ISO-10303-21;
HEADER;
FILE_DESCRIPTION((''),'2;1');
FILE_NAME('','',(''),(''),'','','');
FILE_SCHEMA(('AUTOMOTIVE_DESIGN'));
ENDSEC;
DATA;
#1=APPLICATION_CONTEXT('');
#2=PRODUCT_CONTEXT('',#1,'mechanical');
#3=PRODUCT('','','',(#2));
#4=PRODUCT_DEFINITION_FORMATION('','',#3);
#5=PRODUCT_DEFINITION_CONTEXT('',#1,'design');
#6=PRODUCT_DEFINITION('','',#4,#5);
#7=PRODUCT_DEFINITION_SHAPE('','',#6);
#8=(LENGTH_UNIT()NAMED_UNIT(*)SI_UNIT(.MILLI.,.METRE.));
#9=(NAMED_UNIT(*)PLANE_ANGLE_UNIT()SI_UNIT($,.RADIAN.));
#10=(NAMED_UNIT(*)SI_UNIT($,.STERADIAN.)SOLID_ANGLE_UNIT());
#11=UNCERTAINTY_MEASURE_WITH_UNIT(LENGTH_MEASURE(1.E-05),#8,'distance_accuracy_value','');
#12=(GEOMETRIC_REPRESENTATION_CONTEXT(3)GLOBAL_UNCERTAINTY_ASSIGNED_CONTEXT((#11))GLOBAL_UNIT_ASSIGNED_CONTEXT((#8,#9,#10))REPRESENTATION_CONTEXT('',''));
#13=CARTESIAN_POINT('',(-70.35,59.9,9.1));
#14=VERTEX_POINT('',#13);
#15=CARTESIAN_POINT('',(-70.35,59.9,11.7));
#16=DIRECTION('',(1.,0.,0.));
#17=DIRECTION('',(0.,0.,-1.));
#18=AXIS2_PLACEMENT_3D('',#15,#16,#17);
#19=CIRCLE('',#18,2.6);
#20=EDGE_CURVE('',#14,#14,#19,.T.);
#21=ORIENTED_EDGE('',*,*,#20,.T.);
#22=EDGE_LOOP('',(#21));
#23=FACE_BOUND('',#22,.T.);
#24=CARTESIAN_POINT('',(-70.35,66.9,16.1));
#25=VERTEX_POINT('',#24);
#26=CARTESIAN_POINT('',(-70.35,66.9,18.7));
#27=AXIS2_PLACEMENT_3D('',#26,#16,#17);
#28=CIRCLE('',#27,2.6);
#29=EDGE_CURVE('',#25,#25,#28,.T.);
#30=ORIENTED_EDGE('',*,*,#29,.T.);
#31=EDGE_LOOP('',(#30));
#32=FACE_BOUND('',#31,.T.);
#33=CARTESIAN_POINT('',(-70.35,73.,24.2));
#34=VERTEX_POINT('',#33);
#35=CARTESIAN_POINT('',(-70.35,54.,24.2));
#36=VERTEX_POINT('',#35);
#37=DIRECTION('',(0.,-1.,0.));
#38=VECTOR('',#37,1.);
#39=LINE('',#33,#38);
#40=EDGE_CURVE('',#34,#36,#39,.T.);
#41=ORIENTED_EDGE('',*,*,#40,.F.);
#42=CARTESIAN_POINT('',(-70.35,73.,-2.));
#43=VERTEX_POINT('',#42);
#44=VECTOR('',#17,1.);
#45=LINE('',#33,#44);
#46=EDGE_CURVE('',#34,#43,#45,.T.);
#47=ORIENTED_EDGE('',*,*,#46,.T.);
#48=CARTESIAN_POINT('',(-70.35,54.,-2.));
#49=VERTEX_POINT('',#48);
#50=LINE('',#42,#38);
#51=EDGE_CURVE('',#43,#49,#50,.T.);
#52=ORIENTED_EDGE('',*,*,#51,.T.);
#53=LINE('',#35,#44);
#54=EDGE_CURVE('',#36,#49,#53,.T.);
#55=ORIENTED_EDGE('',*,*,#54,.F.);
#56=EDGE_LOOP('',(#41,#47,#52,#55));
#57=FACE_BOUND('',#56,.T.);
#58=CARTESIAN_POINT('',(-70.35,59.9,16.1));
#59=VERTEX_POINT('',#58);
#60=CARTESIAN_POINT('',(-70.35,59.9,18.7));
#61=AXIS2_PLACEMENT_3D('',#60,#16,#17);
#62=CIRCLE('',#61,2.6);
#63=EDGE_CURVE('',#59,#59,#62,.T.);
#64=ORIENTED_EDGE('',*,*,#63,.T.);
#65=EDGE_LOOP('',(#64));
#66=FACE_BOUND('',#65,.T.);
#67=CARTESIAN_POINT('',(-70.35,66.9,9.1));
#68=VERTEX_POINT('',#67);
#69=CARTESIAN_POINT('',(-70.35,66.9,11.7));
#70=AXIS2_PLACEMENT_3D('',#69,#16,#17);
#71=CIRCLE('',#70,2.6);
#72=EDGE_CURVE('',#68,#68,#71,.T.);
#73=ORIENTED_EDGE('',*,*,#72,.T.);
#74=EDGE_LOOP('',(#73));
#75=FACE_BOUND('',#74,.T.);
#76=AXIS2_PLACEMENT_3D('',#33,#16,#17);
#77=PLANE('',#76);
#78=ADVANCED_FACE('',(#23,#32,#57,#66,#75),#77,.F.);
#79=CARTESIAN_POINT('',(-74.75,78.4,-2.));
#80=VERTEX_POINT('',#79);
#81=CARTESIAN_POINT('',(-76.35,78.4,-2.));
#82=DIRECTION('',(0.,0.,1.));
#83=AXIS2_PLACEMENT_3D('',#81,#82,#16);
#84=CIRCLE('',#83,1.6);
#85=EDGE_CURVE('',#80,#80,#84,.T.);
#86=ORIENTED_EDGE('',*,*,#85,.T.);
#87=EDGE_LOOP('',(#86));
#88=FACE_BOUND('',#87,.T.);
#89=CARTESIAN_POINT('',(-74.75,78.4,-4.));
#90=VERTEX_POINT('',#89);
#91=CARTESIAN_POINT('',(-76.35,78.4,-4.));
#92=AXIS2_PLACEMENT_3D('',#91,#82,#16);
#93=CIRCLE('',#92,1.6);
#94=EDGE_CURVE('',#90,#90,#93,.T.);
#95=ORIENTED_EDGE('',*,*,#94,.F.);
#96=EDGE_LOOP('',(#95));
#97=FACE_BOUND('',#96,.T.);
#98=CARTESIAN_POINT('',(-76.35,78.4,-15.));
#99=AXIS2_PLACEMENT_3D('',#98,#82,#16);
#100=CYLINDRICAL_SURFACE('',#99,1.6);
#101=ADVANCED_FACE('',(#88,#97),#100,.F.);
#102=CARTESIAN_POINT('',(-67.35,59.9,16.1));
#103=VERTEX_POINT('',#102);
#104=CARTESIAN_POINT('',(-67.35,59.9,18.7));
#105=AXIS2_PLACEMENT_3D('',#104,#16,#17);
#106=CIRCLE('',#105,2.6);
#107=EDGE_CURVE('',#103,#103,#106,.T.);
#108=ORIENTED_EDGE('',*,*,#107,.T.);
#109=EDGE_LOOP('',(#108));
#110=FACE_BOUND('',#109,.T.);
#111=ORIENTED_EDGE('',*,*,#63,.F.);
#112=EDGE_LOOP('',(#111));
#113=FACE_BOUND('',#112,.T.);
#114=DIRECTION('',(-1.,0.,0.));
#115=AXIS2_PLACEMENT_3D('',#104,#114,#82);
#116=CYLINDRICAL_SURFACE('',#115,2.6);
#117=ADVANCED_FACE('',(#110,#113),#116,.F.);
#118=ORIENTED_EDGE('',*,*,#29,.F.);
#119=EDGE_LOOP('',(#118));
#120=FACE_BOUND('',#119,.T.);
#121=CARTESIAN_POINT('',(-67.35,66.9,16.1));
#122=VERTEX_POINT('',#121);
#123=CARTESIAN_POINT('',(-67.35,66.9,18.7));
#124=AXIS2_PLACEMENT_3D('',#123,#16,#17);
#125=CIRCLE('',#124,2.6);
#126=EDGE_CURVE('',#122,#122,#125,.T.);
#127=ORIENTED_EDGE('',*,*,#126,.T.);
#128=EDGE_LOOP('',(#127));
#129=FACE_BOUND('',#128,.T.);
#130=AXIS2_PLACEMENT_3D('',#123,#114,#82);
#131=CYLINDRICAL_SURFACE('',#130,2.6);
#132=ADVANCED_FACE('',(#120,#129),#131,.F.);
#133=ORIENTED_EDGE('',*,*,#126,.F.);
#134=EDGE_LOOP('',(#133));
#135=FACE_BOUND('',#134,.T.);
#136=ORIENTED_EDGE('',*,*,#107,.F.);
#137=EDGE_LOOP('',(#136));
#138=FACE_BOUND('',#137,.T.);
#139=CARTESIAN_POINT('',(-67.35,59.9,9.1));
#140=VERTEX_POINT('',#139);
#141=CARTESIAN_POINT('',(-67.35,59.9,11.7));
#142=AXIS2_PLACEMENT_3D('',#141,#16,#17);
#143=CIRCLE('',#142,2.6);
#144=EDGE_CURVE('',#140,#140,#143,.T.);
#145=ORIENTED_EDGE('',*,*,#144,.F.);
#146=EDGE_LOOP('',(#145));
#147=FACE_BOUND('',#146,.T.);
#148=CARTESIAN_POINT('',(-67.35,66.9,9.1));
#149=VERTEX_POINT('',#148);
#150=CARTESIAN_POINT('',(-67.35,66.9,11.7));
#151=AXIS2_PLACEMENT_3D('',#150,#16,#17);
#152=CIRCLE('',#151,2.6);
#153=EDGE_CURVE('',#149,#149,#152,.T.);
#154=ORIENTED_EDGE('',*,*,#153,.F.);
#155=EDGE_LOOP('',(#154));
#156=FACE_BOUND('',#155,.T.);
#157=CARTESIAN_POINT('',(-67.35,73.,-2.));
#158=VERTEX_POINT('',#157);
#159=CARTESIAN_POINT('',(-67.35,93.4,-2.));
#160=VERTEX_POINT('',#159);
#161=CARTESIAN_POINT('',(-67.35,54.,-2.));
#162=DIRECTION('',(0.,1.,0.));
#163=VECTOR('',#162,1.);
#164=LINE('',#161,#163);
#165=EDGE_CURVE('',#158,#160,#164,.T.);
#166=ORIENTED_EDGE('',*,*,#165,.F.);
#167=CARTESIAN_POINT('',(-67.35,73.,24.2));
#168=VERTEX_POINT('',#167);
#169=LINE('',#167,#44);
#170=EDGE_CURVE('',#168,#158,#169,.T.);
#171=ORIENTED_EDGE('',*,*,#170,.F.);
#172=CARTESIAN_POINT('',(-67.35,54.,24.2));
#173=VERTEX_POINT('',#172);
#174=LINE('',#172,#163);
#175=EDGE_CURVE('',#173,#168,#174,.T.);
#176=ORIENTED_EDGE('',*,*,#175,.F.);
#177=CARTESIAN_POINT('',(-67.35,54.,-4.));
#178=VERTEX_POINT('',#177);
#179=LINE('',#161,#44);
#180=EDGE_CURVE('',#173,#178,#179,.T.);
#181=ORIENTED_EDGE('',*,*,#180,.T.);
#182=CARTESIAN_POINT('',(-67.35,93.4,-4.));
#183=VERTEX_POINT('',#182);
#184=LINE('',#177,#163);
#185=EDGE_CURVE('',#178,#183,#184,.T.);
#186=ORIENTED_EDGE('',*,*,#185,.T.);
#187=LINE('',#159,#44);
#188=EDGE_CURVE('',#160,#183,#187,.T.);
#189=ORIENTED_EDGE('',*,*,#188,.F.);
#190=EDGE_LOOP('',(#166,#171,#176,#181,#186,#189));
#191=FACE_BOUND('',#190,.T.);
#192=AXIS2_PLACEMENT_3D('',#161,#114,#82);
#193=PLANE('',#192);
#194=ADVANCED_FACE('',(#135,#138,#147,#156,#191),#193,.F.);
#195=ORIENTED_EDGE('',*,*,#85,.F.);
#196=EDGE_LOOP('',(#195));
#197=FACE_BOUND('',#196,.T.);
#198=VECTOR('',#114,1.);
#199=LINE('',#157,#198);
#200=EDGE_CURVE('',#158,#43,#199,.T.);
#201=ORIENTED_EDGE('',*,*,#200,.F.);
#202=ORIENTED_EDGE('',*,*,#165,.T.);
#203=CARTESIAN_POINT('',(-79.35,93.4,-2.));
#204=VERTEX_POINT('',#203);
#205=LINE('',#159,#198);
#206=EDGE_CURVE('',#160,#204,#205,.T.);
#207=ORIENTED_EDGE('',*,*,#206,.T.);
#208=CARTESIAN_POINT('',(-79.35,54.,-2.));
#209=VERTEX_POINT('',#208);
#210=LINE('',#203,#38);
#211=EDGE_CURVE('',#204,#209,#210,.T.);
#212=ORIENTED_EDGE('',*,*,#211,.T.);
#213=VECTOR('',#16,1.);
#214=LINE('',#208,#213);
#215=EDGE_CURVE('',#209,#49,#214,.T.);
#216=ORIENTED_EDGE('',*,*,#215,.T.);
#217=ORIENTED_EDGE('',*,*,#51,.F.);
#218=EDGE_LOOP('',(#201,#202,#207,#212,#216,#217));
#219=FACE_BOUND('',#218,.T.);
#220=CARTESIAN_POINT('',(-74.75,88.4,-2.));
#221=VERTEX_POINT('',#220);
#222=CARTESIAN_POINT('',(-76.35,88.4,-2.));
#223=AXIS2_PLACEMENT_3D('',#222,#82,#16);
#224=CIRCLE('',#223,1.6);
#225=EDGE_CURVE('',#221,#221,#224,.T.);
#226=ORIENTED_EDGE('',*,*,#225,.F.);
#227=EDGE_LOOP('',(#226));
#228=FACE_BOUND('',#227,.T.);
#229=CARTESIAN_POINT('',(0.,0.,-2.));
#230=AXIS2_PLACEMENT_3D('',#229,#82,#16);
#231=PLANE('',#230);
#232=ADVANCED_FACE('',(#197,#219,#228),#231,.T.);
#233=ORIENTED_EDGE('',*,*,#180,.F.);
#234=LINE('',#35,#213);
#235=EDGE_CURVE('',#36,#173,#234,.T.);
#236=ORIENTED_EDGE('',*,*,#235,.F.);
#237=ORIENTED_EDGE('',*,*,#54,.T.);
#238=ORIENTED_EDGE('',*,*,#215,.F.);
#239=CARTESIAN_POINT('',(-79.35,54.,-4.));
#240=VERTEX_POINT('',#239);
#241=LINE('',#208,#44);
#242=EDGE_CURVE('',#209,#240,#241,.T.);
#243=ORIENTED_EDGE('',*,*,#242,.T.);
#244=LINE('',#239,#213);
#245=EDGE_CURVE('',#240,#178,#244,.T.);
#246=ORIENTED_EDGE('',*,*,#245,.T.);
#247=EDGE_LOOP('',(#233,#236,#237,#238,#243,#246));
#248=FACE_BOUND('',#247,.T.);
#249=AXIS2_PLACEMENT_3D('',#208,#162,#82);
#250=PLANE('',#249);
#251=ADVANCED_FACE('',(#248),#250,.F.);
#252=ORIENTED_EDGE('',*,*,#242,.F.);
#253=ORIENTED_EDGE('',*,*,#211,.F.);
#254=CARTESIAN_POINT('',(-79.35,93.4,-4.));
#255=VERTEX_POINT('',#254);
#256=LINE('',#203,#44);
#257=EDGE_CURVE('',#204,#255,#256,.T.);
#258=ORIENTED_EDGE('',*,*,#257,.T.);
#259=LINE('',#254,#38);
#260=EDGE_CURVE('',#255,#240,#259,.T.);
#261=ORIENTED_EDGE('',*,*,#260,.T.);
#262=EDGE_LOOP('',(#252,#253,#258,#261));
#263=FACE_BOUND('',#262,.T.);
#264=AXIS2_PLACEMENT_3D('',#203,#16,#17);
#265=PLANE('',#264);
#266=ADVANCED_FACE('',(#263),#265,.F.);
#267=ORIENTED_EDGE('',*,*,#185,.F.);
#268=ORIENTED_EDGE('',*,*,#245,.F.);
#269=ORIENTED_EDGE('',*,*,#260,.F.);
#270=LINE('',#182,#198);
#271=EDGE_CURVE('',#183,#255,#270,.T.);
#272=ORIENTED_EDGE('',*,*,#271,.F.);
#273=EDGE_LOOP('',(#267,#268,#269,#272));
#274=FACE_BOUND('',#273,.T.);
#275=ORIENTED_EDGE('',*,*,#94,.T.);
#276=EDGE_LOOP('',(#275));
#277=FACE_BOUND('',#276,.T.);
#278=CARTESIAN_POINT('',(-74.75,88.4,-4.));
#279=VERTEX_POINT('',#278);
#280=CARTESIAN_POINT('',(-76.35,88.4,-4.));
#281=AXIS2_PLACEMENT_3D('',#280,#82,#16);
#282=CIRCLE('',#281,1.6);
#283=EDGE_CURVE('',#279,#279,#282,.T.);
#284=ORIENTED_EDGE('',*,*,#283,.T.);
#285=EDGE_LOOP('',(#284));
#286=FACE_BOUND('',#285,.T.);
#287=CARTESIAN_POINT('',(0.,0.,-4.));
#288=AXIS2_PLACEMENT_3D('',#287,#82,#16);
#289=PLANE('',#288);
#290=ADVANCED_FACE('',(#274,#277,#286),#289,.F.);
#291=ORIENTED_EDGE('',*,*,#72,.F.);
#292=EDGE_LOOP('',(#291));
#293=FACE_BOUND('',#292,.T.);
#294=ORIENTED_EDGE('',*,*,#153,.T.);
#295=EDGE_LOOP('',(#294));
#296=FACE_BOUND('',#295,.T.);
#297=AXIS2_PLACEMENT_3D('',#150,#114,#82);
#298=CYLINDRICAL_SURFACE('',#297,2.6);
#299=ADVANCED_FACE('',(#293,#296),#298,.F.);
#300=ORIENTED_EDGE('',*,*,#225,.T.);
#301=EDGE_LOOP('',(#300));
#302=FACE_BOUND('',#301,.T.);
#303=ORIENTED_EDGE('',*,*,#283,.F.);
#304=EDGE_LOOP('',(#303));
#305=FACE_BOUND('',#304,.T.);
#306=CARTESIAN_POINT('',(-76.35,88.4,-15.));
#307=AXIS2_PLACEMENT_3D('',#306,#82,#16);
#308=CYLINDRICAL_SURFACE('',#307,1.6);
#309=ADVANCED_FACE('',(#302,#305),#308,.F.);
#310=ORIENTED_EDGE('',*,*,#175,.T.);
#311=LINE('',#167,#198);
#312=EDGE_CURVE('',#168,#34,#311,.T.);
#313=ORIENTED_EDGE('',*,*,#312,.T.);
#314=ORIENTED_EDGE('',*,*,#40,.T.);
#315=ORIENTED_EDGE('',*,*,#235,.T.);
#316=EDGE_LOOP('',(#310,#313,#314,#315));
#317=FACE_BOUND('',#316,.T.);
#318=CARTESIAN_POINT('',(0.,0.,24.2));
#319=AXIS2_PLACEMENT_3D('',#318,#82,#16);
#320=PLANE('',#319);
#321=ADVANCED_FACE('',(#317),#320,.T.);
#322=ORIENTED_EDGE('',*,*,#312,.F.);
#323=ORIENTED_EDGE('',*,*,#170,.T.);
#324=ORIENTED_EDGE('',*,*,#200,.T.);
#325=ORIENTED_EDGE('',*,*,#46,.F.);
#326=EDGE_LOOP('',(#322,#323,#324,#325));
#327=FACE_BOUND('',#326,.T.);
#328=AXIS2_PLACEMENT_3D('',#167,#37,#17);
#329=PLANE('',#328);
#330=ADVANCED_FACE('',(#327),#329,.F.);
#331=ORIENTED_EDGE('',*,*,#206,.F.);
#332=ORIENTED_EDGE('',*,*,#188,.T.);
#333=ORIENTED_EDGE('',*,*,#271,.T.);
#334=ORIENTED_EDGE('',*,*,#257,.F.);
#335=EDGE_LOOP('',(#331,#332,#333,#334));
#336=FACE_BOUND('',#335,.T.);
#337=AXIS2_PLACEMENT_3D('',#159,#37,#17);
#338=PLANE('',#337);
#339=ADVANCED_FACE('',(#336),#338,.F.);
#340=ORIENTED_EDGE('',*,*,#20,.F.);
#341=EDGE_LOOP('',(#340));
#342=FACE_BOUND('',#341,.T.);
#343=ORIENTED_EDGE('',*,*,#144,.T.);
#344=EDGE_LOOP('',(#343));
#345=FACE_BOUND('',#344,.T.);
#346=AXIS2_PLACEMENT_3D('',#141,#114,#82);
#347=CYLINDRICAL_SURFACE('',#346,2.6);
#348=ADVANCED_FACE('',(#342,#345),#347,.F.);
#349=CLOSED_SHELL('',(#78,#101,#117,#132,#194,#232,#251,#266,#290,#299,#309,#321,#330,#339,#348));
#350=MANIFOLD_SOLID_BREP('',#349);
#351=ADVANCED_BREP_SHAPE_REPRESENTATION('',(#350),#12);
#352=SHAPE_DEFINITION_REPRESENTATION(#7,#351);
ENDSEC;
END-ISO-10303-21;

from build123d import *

# Parameters (mm, degrees)
FOOT_SKETCH_W              = 12
FOOT_SKETCH_H              = 39.4
FOOT_DEPTH                 = 2
UPRIGHT_SKETCH_W           = 3
UPRIGHT_SKETCH_H           = 19
UPRIGHT_DEPTH              = 26.2
SHEATH_HOLES_SKETCH_R      = 2.6
SHEATH_HOLES_DEPTH         = 3
SERVO_SCREW_HOLES_SKETCH_R = 1.6
SERVO_SCREW_HOLES_DEPTH    = 15


with BuildPart() as part:
    # Foot Sketch → Foot (new body)
    with BuildSketch(Plane.XY.offset(-4)):
        with Locations((-73.35, 73.7)):
            Rectangle(FOOT_SKETCH_W, FOOT_SKETCH_H)
    extrude(amount=FOOT_DEPTH)

    # Upright Sketch → Upright (add)
    with BuildSketch(Plane.XY.offset(-2)):
        with Locations((-68.85, 63.5)):
            Rectangle(UPRIGHT_SKETCH_W, UPRIGHT_SKETCH_H)
    extrude(amount=UPRIGHT_DEPTH)

    # Sheath Holes Sketch → Sheath Holes (cut)
    with BuildSketch(Plane(origin=(-70.35, 0, 0), x_dir=(0, 0, -1), z_dir=(1, 0, 0))):
        with Locations((-18.7, 66.9)):
            Circle(SHEATH_HOLES_SKETCH_R)
        with Locations((-11.7, 59.9)):
            Circle(SHEATH_HOLES_SKETCH_R)
        with Locations((-11.7, 66.9)):
            Circle(SHEATH_HOLES_SKETCH_R)
        with Locations((-18.7, 59.9)):
            Circle(SHEATH_HOLES_SKETCH_R)
    extrude(amount=SHEATH_HOLES_DEPTH, mode=Mode.SUBTRACT)

    # Servo Screw Holes Sketch → Servo Screw Holes (cut, symmetric)
    with BuildSketch(Plane.XY):
        with Locations((-76.35, 78.4)):
            Circle(SERVO_SCREW_HOLES_SKETCH_R)
        with Locations((-76.35, 88.4)):
            Circle(SERVO_SCREW_HOLES_SKETCH_R)
    extrude(amount=SERVO_SCREW_HOLES_DEPTH, both=True, mode=Mode.SUBTRACT)


solid = part.part
